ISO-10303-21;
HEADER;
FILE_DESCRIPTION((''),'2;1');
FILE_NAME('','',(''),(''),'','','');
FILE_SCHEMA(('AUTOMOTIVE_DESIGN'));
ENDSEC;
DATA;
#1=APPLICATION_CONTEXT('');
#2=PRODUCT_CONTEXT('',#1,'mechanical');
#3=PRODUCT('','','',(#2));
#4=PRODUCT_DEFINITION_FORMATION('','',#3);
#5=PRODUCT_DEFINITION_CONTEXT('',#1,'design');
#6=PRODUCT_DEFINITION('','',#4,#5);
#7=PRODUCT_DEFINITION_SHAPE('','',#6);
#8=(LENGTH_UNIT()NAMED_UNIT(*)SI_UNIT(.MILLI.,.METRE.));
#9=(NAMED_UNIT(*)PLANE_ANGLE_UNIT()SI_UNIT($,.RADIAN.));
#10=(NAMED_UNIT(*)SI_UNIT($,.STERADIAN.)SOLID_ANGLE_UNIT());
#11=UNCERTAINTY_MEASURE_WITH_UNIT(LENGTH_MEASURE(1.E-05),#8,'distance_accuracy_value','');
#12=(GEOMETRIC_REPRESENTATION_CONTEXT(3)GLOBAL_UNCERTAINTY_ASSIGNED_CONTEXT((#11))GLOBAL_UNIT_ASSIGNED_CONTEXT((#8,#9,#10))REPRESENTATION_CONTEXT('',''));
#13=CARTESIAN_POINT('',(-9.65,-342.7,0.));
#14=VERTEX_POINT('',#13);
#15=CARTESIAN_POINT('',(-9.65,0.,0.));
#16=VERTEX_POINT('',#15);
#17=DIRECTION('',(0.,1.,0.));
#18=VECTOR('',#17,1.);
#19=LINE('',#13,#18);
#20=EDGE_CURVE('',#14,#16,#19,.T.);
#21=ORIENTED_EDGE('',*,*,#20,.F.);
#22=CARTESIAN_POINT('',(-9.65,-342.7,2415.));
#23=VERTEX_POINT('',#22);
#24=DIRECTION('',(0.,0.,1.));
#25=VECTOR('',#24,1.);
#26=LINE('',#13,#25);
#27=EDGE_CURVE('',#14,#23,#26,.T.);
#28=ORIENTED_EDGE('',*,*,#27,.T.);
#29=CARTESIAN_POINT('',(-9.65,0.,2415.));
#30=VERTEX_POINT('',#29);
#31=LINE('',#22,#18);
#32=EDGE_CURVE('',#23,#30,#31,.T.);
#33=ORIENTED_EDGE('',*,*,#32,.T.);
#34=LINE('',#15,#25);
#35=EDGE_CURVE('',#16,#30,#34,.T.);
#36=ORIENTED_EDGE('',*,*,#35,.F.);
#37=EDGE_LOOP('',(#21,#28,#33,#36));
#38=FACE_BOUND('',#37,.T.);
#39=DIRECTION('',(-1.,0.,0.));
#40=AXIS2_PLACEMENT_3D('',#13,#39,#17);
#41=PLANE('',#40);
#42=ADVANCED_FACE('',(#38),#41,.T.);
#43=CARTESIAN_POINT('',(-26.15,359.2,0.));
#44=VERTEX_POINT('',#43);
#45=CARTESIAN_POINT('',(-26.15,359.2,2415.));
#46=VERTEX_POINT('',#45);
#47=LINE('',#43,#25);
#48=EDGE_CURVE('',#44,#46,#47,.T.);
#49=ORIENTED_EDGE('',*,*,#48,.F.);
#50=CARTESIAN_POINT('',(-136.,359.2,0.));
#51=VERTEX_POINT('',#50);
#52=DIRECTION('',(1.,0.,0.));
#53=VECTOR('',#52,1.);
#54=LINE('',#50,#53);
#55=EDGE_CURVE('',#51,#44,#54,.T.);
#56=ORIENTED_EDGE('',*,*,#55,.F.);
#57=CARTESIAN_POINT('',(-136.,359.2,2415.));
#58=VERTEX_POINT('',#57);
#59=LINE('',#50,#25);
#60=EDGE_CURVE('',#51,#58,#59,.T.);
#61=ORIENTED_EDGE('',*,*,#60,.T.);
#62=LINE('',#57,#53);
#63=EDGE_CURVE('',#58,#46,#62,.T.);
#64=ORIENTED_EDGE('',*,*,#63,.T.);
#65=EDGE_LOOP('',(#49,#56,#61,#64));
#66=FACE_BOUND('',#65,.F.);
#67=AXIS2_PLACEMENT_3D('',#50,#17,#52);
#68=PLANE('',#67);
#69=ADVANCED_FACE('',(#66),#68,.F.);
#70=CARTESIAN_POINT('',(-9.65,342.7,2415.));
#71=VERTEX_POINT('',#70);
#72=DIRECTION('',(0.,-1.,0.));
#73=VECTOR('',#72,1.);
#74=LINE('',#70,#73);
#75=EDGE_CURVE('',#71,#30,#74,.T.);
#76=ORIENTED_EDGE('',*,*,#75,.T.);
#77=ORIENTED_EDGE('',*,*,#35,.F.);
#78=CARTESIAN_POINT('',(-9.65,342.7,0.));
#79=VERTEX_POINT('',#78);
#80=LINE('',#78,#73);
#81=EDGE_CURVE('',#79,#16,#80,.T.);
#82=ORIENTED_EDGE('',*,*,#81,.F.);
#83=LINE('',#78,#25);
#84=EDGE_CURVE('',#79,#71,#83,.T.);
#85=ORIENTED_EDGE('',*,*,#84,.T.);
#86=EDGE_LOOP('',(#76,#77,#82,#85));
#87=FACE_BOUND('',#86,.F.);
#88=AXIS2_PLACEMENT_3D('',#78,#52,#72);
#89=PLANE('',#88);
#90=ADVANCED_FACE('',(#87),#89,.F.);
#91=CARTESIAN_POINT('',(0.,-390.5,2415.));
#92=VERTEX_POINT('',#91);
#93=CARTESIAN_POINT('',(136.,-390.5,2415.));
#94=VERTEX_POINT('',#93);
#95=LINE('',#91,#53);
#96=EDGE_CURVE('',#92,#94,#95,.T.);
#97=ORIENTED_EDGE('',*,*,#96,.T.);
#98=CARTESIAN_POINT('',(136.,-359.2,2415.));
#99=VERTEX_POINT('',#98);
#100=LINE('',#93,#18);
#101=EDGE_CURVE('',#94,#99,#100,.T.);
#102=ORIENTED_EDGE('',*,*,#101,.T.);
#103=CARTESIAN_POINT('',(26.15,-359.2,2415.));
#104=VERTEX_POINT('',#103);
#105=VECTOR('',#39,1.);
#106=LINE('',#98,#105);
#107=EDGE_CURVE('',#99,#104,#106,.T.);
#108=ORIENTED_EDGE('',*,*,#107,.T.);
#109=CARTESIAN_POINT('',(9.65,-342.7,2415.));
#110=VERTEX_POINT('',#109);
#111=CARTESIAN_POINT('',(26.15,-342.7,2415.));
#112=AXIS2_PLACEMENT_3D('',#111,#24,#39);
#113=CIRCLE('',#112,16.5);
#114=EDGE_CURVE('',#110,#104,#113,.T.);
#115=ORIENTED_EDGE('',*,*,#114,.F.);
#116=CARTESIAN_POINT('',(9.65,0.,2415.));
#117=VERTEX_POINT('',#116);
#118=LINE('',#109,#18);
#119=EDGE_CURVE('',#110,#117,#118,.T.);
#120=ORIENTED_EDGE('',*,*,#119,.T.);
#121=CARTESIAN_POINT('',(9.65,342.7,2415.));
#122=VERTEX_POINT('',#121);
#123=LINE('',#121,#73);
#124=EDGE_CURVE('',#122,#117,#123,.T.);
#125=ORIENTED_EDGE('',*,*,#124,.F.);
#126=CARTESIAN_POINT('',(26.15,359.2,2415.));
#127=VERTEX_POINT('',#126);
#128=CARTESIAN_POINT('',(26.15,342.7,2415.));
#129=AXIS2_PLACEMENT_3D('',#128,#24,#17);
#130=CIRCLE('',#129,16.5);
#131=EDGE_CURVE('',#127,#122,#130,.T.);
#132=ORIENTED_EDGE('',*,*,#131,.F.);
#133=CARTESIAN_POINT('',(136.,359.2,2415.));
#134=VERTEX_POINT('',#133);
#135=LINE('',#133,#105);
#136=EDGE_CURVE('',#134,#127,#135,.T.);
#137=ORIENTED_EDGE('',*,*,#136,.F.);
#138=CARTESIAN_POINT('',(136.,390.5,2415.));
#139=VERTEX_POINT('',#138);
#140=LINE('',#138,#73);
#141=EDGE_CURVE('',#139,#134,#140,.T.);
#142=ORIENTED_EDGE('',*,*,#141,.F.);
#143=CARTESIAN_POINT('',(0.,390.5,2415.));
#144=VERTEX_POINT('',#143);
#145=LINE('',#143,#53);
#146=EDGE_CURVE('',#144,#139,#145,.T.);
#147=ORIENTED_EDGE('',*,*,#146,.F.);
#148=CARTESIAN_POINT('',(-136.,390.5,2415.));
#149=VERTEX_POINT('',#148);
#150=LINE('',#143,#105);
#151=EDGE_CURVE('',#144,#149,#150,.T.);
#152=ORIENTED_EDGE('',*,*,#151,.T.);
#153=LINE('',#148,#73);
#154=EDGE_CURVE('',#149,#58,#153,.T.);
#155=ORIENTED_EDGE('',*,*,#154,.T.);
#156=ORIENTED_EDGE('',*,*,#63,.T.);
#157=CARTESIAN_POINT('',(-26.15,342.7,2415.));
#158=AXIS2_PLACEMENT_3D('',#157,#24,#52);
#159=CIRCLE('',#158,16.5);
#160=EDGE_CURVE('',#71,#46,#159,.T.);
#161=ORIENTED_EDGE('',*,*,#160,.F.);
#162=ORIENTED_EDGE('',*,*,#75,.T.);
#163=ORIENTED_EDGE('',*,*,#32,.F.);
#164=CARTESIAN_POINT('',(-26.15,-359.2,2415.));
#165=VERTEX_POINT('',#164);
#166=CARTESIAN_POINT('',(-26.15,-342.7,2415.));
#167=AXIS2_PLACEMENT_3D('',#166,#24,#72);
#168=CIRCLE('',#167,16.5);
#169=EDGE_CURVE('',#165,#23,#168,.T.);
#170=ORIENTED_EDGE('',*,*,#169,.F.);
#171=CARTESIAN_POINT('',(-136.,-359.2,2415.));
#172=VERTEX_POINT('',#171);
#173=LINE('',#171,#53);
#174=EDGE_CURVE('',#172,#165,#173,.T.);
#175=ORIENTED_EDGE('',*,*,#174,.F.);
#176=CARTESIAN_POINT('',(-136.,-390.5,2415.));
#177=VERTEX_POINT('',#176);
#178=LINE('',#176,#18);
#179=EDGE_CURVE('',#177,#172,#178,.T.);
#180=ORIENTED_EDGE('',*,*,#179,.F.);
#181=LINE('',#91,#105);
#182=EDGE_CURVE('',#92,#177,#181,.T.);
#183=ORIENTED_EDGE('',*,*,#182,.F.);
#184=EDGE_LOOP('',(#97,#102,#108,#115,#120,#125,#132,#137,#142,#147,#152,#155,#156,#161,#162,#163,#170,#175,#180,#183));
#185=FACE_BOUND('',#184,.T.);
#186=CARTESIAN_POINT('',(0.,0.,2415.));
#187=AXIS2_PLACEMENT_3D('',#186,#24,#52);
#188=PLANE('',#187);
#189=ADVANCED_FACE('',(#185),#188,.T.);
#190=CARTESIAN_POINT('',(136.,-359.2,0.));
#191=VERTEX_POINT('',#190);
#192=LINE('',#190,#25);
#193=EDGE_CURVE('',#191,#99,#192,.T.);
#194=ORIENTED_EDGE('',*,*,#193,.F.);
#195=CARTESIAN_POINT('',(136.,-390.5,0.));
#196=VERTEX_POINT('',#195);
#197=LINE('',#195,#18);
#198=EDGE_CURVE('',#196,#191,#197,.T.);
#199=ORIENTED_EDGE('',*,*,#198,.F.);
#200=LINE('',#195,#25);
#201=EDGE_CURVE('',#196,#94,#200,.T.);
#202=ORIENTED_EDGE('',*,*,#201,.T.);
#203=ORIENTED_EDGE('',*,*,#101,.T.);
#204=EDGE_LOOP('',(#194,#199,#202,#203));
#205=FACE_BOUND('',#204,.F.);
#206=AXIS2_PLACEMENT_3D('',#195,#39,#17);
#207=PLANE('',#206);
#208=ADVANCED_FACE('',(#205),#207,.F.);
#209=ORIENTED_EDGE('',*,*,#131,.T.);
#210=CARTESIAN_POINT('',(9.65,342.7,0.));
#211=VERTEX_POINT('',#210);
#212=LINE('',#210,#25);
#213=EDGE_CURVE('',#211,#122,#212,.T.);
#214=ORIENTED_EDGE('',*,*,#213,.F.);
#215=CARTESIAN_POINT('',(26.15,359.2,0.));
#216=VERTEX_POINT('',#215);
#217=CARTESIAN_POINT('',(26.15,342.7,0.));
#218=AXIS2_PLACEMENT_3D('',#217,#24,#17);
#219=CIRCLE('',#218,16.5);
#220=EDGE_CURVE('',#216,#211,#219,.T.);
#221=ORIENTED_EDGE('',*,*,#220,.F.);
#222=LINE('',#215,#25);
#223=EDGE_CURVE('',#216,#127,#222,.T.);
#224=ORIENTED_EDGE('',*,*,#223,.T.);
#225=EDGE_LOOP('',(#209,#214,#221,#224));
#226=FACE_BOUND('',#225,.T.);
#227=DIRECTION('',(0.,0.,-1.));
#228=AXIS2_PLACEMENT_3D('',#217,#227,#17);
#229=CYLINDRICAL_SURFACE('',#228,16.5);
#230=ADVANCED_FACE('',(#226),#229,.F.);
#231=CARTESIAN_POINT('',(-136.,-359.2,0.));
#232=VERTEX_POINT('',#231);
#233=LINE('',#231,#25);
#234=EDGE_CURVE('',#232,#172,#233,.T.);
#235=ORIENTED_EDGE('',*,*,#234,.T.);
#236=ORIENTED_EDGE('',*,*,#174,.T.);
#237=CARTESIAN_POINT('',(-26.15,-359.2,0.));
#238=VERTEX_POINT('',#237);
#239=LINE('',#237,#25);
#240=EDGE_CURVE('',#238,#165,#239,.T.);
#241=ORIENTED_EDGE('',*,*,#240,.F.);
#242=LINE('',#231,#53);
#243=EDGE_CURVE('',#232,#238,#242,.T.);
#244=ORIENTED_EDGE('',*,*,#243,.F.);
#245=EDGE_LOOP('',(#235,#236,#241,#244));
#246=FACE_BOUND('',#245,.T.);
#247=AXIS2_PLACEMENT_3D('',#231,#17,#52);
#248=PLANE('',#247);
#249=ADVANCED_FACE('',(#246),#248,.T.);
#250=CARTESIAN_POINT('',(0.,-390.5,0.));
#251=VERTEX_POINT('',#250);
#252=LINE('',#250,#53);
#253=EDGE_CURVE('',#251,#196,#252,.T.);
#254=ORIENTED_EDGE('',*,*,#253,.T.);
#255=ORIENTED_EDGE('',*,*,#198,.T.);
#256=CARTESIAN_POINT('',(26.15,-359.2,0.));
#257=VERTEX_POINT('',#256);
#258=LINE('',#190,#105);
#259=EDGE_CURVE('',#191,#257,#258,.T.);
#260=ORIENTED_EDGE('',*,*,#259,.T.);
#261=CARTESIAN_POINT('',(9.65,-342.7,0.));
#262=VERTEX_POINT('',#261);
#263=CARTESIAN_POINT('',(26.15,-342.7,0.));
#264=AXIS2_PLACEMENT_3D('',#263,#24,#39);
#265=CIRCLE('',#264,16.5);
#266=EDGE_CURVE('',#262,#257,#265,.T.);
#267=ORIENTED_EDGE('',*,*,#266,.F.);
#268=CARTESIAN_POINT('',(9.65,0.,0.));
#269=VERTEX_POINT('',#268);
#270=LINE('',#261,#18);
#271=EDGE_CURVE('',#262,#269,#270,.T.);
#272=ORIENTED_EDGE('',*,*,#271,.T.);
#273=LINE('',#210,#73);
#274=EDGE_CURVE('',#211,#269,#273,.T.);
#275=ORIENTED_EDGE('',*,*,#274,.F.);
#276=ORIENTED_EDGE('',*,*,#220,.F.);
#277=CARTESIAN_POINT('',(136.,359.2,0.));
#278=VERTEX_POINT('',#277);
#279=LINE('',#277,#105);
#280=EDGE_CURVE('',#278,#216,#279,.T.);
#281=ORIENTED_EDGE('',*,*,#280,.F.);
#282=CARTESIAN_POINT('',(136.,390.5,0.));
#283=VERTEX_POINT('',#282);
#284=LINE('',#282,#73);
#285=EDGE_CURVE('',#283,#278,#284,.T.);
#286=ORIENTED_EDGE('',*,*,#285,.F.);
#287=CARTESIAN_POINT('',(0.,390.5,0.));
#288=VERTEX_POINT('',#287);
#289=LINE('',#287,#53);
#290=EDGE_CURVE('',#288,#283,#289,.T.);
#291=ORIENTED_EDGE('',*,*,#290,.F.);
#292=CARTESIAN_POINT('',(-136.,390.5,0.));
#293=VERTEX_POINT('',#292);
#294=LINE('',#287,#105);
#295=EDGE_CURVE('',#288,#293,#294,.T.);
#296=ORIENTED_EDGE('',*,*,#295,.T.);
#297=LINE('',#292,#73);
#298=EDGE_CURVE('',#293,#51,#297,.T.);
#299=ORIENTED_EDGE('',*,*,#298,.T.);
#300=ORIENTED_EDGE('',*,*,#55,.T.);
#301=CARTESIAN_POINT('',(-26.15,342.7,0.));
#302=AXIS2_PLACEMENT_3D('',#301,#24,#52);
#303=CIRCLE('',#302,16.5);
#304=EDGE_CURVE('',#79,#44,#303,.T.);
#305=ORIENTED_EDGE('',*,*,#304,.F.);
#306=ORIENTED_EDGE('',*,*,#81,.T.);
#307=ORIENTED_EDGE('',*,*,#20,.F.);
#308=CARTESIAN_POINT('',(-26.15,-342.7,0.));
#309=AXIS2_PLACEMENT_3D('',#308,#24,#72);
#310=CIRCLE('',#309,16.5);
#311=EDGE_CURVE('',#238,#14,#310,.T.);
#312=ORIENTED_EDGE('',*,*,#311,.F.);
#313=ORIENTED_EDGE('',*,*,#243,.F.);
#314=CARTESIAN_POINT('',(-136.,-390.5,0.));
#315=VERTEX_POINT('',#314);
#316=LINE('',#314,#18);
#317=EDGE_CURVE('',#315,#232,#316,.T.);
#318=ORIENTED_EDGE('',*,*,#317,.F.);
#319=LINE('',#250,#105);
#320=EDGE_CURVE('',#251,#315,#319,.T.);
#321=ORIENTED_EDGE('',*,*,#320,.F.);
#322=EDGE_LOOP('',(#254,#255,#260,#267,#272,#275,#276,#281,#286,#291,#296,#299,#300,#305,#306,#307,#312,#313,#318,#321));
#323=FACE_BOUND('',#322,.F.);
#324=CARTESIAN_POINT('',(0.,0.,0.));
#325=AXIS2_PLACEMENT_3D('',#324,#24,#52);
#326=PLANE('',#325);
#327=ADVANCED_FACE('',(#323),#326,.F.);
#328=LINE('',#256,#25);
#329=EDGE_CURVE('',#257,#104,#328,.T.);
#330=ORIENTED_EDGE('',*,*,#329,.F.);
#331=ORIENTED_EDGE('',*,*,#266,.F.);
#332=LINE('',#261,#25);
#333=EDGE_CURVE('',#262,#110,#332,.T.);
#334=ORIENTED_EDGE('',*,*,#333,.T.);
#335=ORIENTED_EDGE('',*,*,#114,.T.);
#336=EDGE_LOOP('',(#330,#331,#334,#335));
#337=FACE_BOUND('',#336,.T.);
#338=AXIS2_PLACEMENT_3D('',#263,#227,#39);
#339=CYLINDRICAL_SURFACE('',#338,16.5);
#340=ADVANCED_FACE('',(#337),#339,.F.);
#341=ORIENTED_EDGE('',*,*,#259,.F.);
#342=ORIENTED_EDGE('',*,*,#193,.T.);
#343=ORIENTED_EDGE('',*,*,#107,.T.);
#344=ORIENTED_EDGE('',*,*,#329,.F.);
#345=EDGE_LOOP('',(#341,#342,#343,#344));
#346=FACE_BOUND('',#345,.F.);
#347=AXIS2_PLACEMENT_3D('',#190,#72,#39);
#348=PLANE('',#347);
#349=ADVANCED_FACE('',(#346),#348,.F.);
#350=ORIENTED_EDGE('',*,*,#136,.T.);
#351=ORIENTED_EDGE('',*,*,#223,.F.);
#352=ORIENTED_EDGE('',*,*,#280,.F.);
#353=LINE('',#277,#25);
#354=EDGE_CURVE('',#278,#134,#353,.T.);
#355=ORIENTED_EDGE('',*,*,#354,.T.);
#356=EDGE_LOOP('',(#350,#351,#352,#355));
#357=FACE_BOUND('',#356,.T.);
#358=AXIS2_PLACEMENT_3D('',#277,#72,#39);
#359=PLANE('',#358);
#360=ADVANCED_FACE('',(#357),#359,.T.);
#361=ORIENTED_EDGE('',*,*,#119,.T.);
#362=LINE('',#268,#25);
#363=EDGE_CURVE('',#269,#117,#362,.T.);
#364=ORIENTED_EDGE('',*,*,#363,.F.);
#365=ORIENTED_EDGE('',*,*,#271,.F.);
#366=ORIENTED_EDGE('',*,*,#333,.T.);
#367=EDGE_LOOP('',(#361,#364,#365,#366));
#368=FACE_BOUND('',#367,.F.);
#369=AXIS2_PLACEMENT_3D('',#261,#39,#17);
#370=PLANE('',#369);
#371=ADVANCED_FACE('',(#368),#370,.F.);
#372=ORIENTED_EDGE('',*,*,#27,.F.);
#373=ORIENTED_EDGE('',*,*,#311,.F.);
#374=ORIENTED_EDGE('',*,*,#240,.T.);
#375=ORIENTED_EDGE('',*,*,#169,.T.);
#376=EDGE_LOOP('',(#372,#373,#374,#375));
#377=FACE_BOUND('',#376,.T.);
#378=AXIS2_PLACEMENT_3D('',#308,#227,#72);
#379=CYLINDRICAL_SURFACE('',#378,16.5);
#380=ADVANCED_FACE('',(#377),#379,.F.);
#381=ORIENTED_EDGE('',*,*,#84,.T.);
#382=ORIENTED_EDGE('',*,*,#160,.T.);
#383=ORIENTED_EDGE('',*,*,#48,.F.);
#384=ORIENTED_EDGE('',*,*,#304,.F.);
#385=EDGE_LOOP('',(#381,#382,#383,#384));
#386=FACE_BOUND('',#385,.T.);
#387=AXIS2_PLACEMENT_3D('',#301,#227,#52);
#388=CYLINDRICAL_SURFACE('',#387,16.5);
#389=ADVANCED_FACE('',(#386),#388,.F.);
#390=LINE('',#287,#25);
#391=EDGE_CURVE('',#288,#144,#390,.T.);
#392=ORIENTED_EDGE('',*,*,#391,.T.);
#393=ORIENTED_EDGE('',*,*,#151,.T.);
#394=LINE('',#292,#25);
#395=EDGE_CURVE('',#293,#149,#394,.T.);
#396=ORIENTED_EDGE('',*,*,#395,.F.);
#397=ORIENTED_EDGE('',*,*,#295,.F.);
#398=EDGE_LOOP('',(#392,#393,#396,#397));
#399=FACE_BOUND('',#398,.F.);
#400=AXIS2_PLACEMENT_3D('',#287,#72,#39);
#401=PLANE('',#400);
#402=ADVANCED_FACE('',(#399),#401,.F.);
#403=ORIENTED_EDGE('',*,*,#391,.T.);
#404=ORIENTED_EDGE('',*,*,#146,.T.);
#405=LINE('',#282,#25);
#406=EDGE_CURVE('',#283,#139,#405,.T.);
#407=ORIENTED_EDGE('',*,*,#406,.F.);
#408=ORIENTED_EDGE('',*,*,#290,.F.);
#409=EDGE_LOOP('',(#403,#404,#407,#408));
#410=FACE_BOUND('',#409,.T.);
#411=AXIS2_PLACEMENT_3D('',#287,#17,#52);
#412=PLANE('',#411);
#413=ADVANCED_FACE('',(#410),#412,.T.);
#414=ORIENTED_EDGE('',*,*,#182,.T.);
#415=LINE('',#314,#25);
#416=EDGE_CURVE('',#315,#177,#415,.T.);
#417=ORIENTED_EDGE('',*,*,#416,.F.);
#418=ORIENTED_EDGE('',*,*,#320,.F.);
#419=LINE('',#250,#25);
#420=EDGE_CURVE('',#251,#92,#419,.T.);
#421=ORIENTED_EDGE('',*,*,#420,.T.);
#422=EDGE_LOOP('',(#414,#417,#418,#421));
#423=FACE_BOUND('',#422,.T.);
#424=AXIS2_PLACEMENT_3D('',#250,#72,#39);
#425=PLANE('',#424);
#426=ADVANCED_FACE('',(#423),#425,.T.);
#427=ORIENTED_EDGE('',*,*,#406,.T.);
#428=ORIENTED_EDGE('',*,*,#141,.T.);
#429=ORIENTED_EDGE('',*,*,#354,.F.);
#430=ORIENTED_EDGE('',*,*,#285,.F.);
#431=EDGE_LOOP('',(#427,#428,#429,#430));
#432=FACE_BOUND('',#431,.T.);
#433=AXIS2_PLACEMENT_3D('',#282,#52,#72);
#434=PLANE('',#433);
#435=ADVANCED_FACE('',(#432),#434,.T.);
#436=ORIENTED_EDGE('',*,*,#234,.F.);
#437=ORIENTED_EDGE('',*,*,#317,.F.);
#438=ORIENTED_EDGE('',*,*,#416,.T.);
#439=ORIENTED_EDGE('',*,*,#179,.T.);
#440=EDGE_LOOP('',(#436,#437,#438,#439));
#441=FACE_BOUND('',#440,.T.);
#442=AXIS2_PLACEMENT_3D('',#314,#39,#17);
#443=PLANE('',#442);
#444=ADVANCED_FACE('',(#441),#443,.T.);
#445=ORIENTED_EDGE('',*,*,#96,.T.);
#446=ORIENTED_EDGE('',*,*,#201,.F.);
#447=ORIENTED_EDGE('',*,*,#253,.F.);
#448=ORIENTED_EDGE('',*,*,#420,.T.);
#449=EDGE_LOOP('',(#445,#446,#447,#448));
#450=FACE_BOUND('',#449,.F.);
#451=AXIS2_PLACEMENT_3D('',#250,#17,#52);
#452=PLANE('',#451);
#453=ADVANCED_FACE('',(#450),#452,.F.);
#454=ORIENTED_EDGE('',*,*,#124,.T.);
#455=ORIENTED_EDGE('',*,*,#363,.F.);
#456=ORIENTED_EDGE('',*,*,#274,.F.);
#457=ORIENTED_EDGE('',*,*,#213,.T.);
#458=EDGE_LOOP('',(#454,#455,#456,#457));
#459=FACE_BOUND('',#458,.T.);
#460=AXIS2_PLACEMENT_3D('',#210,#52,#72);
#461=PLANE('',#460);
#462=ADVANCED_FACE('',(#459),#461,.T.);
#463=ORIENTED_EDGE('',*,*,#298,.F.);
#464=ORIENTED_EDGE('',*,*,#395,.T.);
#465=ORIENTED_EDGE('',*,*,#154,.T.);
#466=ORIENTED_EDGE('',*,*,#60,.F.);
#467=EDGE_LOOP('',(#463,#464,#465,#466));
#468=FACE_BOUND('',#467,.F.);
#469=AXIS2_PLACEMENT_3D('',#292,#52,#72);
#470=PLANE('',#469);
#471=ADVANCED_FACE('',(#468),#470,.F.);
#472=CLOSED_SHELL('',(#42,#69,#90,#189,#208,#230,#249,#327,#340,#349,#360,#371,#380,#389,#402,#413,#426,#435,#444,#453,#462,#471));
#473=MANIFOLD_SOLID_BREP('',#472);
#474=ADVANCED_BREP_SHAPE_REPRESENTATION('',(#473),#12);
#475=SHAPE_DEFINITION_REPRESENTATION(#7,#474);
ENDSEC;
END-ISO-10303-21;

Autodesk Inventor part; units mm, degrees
ref_plane "YZ Plane" through (0, 0, 0) normal (1, 0, 0) x (0, 1, 0)
ref_plane "Start plane" through (0, 0, 0) normal (0, 0, 1) x (1, 0, 0)
ref_plane "End plane" through (0, 0, 2415) normal (0, 0, 1) x (1, 0, 0)
sketch "Sketch" plane through (0, 0, 0) normal (0, 0, 1) x (1, 0, 0)
  line L0 (-136, -390.5) -> (-136, -359.2)
  line L1 (-136, -359.2) -> (-26.15, -359.2)
  line L2 (-9.65, -342.7) -> (-9.65, 0)
  line L3 (-9.65, 0) -> (0, 0) construction
  line L4 (0, 0) -> (0, -390.5) construction
  line L5 (0, -390.5) -> (-136, -390.5)
  line L6 (-60, 0) -> (80, 0) construction
  line L7 (0, -60) -> (0, 80) construction
  line L8 (136, -390.5) -> (136, -359.2)
  line L9 (136, -359.2) -> (26.15, -359.2)
  line L10 (9.65, -342.7) -> (9.65, 0)
  line L11 (9.65, 0) -> (0, 0) construction
  line L12 (0, -390.5) -> (136, -390.5)
  line L13 (-136, 390.5) -> (-136, 359.2)
  line L14 (-136, 359.2) -> (-26.15, 359.2)
  line L15 (-9.65, 342.7) -> (-9.65, 0)
  line L16 (0, 390.5) -> (-136, 390.5)
  line L17 (136, 390.5) -> (136, 359.2)
  line L18 (136, 359.2) -> (26.15, 359.2)
  line L19 (0, 390.5) -> (136, 390.5)
  line L20 (9.65, 342.7) -> (9.65, 0)
  arc A0 (-9.65, 342.7) -> (-26.15, 359.2) centre (-26.15, 342.7) ccw
  arc A1 (26.15, 359.2) -> (9.65, 342.7) centre (26.15, 342.7) ccw
  arc A2 (9.65, -342.7) -> (26.15, -359.2) centre (26.15, -342.7) ccw
  arc A3 (-26.15, -359.2) -> (-9.65, -342.7) centre (-26.15, -342.7) ccw
  line L21 (0, 108) -> (0, -88) construction
  line L22 (-88, 0) -> (108, 0) construction
  point P0 (-9.65, -359.2)
  point P1 (9.65, -359.2)
  point P2 (-9.65, 359.2)
  point P3 (9.65, 359.2)
  dimension "d1" = 390.5
  dimension "d2" = 31.3
  dimension "d3" = 136
  dimension "d4" = 9.65
  dimension "d10" = 16.5
extrude "Body" add sketch "Sketch" along normal up to surface (2415 mm away) from surface at 0
sketch "Sketch4" plane through (0, 0, 0) normal (0, 0, 1) x (1, 0, 0)
  line L0 (0, 0) -> (10, 0)
ref_plane "Work Plane3" through (0, 0, 0) normal (0, -1, 0) x (1, 0, 0)
sketch "Sketch5" plane through (0, 0, 0) normal (0, -1, 0) x (1, 0, 0)
  line L0 (-2, 0) -> (12, 0) projected
  line L1 (-2, 2415) -> (12, 2415) projected
  dimension "d14" = 2415
equation "\"d1\" = 0.5 * G_H"
equation "\"d2\" = G_T1"
equation "\"d3\" = 0.5 * G_W"
equation "\"d4\" = 0.5 * G_T"
equation "\"d10\" = G_IR"
equation "\"d5\" = G_L"
equation "\"G_W\" = 272"
equation "\"G_H\" = 781"
equation "\"G_T\" = 19.3"
equation "\"G_T1\" = 31.3"
equation "\"G_IR\" = 16.5"
equation "\"G_L\" = d14"
equation "\"G_OFFSET_START\" = 0"
equation "\"G_OFFSET_END\" = 0"
equation "\"d12\" = G_OFFSET_END + B_L"
equation "\"B_L\" = 2415"
properties part number "AS 3679-1990 - 760 UB - 244 - 2415" material "Steel, Mild"
